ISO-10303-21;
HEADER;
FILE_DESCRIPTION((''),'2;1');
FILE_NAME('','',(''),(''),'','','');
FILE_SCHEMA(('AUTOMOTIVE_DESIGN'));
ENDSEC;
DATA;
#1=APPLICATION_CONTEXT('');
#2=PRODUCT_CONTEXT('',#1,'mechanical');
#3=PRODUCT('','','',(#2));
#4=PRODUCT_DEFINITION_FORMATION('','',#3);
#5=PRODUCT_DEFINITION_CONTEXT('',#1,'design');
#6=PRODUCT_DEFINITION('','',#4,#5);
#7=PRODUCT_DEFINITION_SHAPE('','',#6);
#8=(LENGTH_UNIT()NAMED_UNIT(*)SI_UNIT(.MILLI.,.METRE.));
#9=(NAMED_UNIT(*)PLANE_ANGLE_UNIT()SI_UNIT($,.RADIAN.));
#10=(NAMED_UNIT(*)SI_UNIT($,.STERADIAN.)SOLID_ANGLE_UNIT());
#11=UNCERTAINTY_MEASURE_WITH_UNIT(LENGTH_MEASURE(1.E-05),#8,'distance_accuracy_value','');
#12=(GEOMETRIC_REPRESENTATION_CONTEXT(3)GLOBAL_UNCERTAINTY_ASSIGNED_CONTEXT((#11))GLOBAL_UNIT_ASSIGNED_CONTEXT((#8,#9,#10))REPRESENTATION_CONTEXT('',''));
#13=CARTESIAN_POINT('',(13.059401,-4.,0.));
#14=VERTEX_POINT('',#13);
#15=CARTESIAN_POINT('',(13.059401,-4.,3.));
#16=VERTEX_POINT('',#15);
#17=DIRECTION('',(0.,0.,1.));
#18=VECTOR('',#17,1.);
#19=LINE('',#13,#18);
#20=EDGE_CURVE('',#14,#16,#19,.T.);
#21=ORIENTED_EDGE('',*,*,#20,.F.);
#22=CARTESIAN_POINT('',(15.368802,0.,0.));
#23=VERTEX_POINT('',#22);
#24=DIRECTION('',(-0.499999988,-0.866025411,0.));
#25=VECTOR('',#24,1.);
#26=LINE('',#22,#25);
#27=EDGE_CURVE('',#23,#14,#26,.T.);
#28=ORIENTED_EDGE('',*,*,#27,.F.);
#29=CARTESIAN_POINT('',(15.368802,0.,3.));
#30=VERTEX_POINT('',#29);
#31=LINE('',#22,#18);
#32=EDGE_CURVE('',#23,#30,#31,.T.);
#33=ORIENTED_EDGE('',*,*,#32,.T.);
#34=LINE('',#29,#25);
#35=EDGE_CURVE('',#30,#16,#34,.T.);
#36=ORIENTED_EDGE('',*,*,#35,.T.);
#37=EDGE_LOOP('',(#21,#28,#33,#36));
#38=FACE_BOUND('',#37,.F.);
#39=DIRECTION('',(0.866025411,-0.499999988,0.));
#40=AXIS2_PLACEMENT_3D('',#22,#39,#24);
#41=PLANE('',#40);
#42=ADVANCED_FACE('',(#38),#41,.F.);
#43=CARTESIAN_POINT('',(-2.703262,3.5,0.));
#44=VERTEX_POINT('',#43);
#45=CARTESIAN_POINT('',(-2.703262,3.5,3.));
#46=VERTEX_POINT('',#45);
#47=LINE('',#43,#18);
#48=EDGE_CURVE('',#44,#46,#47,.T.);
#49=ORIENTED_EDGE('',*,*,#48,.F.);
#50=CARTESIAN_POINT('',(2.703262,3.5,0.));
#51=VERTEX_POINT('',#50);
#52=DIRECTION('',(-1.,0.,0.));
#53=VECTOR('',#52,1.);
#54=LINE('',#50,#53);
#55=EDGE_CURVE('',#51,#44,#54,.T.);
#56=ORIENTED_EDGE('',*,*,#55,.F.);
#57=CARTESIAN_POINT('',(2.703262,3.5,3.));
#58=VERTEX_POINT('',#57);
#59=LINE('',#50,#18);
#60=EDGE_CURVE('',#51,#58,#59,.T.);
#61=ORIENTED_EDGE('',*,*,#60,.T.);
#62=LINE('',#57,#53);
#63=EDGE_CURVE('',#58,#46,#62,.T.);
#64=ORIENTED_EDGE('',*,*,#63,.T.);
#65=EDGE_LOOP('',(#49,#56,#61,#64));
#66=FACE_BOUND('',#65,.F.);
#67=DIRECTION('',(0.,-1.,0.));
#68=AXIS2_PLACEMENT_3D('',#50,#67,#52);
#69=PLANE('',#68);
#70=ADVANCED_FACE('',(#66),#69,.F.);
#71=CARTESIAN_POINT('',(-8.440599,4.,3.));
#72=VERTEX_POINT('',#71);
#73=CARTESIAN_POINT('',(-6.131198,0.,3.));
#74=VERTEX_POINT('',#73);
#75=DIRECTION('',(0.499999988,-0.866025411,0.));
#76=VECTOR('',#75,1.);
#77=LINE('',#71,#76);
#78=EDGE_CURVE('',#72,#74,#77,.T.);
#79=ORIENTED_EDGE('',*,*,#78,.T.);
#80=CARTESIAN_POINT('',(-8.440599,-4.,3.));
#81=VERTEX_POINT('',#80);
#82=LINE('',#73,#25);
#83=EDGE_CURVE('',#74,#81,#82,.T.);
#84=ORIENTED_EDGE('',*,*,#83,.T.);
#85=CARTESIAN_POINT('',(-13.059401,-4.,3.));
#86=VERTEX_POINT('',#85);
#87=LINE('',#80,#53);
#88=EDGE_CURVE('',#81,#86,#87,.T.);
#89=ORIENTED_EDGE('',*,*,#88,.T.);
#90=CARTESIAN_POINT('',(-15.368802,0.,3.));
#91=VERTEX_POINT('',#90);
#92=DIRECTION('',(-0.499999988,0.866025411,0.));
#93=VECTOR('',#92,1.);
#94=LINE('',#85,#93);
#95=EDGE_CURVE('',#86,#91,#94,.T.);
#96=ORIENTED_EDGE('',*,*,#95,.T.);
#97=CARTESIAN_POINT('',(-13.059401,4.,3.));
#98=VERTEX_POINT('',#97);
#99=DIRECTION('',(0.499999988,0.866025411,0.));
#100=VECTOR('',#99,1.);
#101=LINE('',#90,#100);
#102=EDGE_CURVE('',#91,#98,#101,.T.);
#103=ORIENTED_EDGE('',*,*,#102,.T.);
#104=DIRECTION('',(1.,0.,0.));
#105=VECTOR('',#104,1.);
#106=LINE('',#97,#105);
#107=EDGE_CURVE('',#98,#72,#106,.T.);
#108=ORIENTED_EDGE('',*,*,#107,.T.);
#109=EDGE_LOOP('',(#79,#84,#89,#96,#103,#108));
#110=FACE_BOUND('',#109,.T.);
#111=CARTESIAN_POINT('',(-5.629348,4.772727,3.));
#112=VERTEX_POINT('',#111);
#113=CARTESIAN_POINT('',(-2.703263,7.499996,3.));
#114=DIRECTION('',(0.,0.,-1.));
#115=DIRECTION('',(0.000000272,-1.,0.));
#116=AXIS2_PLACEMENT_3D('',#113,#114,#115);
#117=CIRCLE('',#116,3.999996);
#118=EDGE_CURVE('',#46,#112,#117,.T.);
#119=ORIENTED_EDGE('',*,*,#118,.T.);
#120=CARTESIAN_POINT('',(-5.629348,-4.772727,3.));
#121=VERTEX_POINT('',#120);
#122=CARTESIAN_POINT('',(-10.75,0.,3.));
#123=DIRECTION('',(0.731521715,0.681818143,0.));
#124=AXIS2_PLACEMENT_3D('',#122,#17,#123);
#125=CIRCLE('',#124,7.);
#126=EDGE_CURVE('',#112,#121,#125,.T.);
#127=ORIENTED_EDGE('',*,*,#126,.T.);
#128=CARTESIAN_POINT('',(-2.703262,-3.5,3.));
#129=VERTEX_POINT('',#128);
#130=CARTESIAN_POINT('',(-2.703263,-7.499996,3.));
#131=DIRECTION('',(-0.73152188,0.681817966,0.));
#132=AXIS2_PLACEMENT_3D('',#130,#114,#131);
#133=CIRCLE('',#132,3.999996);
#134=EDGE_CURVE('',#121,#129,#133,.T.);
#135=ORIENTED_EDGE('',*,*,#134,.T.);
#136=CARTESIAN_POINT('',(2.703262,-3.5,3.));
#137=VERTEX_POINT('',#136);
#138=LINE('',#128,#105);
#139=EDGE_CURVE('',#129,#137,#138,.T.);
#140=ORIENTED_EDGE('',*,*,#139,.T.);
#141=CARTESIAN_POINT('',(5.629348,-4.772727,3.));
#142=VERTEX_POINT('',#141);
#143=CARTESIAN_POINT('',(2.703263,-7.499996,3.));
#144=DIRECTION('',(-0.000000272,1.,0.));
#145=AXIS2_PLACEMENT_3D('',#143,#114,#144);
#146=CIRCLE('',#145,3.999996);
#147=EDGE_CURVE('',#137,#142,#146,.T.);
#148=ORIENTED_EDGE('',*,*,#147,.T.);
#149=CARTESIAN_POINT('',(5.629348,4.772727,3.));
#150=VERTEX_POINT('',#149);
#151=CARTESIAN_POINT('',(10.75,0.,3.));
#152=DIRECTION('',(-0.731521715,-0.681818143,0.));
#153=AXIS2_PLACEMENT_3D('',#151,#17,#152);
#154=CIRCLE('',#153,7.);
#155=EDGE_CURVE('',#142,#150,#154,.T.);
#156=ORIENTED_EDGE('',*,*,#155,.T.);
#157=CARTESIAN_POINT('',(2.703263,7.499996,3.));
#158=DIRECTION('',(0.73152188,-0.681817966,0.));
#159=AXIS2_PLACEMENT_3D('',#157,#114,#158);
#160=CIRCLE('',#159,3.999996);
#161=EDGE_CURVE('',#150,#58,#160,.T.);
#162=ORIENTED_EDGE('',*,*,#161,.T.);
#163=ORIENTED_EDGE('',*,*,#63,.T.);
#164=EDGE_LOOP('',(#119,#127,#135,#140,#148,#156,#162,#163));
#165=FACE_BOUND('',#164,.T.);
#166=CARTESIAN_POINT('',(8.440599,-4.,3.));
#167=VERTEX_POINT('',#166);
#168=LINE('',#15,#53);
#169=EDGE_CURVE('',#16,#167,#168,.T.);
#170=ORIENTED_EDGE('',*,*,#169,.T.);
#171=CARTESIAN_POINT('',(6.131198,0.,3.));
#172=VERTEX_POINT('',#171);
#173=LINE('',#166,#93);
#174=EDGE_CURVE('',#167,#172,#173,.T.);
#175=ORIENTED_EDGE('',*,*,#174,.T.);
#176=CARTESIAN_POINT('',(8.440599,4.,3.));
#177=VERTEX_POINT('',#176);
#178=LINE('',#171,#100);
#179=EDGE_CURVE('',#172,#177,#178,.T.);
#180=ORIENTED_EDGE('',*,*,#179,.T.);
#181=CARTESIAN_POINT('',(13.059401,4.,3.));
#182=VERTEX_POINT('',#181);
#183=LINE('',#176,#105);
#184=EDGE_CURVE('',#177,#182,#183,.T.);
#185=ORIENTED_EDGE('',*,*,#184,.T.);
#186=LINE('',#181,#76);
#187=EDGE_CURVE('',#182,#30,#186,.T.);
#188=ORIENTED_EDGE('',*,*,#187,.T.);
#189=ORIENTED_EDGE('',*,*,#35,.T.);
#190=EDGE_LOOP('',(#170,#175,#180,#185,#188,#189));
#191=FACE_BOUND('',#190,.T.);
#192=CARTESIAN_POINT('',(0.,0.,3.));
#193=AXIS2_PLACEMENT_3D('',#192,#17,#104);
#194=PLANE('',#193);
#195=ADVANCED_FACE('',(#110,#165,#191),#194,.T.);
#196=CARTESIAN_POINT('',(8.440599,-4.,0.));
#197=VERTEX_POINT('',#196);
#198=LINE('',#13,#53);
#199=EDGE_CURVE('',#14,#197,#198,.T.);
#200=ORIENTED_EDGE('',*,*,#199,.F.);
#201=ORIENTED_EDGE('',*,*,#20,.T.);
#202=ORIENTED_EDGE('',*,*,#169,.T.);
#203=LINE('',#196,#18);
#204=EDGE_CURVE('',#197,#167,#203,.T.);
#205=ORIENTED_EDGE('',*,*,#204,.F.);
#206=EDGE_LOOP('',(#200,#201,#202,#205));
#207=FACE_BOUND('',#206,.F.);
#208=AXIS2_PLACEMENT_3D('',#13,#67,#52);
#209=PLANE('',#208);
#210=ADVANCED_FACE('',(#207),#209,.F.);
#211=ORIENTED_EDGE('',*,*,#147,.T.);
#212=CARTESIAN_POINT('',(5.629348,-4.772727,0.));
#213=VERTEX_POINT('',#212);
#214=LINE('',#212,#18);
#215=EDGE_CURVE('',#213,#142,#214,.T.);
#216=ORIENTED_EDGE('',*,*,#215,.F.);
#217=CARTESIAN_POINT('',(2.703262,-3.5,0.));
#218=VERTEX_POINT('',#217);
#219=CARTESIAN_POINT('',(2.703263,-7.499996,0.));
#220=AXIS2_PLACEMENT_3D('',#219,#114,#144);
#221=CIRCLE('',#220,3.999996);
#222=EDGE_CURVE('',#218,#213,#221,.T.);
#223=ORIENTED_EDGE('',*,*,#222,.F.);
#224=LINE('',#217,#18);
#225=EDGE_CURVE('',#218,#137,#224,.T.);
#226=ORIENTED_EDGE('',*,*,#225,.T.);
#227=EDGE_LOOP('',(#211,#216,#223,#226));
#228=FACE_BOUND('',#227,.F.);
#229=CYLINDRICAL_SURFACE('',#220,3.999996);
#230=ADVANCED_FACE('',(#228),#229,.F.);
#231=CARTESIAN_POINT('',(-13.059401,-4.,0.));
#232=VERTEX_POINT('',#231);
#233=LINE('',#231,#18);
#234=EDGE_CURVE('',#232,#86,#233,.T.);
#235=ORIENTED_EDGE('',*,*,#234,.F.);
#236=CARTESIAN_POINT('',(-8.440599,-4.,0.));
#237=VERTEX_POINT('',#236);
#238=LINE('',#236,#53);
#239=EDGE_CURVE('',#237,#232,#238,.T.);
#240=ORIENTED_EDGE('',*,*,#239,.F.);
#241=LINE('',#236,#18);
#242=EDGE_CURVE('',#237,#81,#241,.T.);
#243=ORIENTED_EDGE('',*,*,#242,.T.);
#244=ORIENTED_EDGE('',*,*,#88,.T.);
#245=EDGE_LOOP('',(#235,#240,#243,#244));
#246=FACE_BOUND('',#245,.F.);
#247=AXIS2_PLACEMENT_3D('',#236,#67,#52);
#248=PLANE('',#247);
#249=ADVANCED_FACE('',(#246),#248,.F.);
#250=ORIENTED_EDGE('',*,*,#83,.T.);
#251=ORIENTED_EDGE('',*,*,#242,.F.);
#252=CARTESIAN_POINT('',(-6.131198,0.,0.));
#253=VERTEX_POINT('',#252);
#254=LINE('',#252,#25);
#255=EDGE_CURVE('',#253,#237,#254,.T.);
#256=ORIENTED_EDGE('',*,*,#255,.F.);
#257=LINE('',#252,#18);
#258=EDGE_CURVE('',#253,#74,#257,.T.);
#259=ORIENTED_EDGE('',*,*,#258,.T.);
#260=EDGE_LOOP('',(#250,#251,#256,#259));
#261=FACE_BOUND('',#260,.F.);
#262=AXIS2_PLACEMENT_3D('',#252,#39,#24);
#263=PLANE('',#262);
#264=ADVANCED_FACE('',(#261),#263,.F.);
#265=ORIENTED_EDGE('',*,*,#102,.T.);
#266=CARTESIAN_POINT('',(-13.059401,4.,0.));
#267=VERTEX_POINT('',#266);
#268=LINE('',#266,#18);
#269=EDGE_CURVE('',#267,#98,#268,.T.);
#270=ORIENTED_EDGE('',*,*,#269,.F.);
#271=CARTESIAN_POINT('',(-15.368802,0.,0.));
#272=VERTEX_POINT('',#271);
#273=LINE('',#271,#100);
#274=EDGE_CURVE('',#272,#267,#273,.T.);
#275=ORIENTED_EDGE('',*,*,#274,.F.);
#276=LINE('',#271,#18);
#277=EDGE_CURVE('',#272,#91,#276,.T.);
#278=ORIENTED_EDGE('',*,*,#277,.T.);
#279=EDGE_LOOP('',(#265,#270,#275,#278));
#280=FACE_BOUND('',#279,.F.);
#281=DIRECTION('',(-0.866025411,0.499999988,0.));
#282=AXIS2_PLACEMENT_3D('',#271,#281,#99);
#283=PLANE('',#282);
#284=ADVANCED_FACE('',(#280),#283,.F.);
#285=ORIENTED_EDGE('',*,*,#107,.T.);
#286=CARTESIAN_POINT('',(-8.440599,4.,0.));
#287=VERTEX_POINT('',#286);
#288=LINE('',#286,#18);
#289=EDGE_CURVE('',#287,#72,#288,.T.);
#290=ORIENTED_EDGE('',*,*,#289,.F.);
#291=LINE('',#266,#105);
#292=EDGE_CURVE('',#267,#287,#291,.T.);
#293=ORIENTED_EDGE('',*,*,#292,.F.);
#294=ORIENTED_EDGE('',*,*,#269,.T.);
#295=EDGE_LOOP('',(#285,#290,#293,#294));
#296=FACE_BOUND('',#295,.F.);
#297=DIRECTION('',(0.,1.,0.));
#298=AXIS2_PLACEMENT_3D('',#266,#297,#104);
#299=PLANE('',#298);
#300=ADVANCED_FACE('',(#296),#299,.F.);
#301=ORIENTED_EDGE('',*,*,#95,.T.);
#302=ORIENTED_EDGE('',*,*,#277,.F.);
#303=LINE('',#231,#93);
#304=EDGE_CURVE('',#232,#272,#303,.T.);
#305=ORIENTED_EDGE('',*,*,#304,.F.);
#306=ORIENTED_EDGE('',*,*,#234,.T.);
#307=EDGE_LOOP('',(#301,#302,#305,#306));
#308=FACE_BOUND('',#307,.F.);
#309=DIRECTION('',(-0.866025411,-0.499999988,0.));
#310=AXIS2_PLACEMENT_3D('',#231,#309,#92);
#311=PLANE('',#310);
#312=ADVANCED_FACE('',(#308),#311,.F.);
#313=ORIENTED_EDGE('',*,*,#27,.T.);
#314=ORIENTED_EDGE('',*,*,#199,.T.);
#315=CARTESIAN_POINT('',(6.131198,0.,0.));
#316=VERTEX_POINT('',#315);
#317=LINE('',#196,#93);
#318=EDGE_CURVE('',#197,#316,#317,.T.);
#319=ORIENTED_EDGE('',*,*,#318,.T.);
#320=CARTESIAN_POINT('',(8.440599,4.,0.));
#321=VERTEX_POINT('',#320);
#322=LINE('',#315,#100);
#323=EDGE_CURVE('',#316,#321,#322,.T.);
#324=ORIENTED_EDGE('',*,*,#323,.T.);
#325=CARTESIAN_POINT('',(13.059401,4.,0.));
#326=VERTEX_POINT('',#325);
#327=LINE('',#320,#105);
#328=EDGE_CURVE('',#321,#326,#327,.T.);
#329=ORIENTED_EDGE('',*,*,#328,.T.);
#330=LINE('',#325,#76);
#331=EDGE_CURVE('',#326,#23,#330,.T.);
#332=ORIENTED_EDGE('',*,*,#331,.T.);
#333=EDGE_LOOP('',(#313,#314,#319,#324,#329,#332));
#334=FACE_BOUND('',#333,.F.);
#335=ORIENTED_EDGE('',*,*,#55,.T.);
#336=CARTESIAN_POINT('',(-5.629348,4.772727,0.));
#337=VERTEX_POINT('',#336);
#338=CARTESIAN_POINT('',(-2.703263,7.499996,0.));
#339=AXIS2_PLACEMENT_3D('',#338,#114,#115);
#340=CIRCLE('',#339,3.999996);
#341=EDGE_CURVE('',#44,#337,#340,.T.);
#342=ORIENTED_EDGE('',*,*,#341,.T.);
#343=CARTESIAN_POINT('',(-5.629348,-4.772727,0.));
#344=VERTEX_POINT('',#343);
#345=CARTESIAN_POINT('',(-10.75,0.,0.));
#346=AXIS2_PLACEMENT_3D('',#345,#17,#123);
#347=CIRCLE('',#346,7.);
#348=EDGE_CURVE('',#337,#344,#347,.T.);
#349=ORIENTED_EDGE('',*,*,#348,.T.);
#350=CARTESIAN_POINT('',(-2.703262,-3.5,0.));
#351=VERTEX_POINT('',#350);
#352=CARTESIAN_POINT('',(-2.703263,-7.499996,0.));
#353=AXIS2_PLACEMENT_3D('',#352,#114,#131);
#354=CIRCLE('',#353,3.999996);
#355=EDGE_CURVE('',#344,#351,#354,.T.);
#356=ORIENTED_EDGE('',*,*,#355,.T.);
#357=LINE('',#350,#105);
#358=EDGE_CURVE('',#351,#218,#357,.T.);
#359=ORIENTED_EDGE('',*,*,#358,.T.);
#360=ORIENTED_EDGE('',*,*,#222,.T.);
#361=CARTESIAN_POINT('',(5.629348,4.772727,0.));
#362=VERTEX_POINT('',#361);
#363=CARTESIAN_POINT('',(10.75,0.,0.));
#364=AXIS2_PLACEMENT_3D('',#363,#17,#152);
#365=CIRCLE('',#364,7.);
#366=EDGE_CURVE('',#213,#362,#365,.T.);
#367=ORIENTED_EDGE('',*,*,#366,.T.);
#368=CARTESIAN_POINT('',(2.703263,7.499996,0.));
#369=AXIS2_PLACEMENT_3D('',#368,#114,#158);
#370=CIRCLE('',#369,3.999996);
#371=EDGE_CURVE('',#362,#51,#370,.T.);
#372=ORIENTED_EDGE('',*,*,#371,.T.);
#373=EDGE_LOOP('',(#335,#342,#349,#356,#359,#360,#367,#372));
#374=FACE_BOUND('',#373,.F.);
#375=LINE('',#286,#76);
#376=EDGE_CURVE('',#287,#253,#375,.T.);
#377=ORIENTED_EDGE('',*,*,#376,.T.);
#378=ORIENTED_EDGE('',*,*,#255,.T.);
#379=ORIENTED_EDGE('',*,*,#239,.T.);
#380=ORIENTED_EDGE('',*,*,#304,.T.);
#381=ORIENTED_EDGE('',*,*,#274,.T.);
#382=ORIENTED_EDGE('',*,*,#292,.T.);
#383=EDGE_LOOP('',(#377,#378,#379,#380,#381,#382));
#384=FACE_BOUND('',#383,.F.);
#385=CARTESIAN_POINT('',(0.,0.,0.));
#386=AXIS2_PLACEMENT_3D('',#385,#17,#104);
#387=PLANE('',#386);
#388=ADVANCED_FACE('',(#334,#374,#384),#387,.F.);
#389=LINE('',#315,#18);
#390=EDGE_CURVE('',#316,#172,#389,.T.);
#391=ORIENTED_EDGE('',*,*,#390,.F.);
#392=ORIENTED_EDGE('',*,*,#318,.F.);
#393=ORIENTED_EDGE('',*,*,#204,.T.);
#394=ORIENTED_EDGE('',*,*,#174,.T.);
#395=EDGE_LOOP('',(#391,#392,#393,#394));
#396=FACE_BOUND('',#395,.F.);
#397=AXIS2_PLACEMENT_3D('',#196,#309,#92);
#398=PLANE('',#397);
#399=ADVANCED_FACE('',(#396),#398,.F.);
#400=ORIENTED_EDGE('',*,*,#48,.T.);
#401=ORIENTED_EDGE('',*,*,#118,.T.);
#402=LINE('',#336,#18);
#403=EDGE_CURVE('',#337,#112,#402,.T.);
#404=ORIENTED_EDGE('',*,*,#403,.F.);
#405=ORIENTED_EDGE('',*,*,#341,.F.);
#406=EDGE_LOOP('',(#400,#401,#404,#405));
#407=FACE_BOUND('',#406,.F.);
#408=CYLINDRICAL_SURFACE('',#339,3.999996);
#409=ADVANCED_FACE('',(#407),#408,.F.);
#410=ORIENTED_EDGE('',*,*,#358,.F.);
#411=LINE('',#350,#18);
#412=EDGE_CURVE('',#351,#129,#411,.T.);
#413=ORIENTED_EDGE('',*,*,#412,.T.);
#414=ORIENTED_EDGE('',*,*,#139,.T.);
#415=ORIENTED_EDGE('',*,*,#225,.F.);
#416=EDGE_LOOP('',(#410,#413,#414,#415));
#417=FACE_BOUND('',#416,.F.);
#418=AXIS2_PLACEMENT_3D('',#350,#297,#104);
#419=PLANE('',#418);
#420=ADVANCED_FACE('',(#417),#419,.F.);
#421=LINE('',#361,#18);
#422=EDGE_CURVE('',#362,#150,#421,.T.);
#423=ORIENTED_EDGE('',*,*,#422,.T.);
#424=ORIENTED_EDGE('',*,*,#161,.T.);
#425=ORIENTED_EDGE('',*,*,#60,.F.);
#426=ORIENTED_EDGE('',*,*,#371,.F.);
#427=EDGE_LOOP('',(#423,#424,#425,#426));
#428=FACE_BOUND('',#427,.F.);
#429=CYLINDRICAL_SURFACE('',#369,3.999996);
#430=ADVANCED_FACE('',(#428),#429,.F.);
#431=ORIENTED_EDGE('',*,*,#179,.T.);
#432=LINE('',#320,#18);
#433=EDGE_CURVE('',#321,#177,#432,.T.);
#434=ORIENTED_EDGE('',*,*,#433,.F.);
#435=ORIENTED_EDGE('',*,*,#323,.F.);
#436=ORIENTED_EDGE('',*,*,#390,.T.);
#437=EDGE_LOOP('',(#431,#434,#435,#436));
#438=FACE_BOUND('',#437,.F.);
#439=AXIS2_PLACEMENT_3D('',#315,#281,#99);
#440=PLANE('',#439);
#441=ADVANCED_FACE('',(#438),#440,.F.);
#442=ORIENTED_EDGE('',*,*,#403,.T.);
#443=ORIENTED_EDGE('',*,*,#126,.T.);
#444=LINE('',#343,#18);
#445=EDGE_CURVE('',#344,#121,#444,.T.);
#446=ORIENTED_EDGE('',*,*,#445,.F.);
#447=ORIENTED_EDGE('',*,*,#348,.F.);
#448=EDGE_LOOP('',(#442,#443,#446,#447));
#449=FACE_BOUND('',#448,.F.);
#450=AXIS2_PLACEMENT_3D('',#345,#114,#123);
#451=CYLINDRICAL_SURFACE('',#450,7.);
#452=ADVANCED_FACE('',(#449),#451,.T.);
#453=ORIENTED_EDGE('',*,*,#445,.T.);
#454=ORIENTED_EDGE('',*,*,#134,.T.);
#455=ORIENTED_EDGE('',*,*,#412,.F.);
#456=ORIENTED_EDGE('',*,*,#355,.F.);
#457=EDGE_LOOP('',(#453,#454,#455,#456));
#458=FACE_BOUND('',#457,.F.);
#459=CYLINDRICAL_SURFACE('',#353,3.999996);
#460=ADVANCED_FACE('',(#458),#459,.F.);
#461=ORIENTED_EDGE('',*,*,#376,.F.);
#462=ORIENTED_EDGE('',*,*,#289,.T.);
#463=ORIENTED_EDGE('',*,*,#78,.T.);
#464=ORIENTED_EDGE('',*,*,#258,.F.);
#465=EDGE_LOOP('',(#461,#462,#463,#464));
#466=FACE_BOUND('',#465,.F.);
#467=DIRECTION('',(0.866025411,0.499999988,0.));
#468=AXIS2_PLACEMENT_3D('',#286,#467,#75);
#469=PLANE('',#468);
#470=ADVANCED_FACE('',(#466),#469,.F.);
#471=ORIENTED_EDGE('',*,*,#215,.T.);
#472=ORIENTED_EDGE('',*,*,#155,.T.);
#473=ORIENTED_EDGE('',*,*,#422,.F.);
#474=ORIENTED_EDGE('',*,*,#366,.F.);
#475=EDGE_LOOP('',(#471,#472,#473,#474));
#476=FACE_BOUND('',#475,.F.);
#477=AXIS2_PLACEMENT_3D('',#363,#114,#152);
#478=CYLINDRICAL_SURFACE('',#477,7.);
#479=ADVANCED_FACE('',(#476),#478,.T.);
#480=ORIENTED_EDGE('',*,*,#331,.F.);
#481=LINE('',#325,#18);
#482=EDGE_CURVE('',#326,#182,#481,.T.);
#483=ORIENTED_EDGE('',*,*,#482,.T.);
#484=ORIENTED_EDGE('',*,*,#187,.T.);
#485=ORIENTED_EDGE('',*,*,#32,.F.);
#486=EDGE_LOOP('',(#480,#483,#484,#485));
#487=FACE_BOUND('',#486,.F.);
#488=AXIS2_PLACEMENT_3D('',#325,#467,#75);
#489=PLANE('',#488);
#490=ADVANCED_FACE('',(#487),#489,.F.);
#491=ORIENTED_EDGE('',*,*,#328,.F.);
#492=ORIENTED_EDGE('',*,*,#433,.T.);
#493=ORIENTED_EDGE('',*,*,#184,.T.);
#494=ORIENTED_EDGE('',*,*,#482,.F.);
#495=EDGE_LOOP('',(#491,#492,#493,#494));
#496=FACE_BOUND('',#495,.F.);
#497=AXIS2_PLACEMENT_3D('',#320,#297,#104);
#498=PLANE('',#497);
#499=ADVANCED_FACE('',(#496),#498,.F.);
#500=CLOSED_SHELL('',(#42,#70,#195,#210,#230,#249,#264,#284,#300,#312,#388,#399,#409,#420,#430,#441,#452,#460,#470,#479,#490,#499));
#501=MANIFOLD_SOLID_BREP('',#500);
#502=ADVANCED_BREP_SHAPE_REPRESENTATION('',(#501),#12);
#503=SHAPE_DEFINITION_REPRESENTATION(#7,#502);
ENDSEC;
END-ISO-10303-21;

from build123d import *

# Parameters (mm, degrees)
F1_DEPTH = 3


with BuildPart() as f1:
    # F0 (on Top) → F1 (new body)
    with BuildSketch(Plane.XY):
        with BuildLine():
            ThreePointArc((-2.703262, 3.5), (-4.29871, 3.831956), (-5.629348, 4.772727))
            ThreePointArc((-5.629348, 4.772727), (-17.75, 0), (-5.629348, -4.772727))
            ThreePointArc((-5.629348, -4.772727), (-4.29871, -3.831956), (-2.703262, -3.5))
            Line((-2.703262, -3.5), (2.703262, -3.5))
            ThreePointArc((2.703262, -3.5), (4.29871, -3.831956), (5.629348, -4.772727))
            ThreePointArc((5.629348, -4.772727), (17.75, 0), (5.629348, 4.772727))
            ThreePointArc((5.629348, 4.772727), (4.29871, 3.831956), (2.703262, 3.5))
            Line((2.703262, 3.5), (-2.703262, 3.5))
        make_face()
        Polygon((-6.131198, 0), (-8.440599, -4), (-13.059401, -4), (-15.368802, 0), (-13.059401, 4), (-8.440599, 4), align=None, mode=Mode.SUBTRACT)
        Polygon((15.368802, 0), (13.059401, -4), (8.440599, -4), (6.131198, 0), (8.440599, 4), (13.059401, 4), align=None, mode=Mode.SUBTRACT)
    extrude(amount=F1_DEPTH)


solid = f1.part
